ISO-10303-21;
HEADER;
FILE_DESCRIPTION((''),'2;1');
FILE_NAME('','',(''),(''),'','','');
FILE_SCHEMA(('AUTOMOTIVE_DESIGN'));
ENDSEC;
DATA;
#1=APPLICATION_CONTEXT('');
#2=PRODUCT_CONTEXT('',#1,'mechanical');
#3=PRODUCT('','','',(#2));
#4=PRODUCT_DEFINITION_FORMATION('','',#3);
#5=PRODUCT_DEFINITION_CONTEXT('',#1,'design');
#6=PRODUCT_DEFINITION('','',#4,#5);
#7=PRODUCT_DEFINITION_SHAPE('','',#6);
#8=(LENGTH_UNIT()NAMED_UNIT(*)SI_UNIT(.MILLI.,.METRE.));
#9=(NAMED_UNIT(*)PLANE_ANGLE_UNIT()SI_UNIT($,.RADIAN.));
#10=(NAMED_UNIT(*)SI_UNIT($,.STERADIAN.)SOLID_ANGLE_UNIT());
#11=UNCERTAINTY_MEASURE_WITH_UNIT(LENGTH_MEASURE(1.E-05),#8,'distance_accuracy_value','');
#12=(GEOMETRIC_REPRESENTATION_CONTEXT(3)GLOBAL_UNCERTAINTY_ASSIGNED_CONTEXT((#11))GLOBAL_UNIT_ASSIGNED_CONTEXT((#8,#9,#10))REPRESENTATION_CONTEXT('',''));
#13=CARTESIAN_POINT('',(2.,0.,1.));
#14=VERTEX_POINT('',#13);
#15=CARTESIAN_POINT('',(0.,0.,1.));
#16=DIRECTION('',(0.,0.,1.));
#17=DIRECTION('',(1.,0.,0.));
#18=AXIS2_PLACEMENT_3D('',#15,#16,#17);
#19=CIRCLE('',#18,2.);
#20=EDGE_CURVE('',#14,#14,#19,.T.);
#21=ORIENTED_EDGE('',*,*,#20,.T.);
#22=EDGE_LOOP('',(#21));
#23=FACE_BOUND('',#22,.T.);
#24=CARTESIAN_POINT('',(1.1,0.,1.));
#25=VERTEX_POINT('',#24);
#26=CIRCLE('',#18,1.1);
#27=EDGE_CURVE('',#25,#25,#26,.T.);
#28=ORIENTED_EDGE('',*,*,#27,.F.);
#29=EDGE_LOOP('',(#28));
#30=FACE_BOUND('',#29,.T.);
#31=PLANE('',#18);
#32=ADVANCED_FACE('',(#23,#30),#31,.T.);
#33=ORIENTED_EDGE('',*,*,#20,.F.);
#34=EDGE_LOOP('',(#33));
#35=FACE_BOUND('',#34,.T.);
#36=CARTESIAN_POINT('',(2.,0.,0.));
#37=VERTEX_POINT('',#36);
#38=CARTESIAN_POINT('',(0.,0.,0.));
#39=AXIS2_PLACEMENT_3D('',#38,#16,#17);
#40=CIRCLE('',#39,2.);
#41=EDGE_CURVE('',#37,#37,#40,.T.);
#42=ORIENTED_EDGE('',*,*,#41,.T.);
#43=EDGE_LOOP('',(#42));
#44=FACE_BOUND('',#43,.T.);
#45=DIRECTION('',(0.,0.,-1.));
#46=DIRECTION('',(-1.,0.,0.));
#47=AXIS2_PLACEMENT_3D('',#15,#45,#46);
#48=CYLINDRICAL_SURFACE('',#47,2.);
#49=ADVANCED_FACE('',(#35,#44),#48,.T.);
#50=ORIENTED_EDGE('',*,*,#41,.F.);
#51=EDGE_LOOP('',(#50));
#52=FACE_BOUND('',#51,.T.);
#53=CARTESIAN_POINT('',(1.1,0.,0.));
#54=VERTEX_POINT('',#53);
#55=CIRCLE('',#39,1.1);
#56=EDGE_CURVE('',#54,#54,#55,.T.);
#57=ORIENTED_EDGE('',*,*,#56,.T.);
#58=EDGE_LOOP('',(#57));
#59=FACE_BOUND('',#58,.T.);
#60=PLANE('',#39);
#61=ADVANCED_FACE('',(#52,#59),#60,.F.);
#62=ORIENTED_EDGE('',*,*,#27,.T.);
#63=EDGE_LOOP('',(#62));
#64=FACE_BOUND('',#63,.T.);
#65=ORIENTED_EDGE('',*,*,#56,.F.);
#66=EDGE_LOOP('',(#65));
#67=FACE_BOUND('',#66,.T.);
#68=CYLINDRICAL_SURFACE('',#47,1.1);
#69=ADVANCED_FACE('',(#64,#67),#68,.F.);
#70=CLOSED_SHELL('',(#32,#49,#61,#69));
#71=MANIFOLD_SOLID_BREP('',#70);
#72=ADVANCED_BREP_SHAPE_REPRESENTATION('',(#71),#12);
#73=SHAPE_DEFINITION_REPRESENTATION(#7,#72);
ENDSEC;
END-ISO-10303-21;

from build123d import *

# Parameters (mm, degrees)
SKETCH1_R    = 2
SKETCH1_R_2  = 1.1
SPACER_DEPTH = 1


with BuildPart() as part:
    # Sketch1 → Spacer (new body)
    with BuildSketch(Plane.XY):
        Circle(SKETCH1_R)
        Circle(SKETCH1_R_2, mode=Mode.SUBTRACT)
    extrude(amount=SPACER_DEPTH)


solid = part.part
